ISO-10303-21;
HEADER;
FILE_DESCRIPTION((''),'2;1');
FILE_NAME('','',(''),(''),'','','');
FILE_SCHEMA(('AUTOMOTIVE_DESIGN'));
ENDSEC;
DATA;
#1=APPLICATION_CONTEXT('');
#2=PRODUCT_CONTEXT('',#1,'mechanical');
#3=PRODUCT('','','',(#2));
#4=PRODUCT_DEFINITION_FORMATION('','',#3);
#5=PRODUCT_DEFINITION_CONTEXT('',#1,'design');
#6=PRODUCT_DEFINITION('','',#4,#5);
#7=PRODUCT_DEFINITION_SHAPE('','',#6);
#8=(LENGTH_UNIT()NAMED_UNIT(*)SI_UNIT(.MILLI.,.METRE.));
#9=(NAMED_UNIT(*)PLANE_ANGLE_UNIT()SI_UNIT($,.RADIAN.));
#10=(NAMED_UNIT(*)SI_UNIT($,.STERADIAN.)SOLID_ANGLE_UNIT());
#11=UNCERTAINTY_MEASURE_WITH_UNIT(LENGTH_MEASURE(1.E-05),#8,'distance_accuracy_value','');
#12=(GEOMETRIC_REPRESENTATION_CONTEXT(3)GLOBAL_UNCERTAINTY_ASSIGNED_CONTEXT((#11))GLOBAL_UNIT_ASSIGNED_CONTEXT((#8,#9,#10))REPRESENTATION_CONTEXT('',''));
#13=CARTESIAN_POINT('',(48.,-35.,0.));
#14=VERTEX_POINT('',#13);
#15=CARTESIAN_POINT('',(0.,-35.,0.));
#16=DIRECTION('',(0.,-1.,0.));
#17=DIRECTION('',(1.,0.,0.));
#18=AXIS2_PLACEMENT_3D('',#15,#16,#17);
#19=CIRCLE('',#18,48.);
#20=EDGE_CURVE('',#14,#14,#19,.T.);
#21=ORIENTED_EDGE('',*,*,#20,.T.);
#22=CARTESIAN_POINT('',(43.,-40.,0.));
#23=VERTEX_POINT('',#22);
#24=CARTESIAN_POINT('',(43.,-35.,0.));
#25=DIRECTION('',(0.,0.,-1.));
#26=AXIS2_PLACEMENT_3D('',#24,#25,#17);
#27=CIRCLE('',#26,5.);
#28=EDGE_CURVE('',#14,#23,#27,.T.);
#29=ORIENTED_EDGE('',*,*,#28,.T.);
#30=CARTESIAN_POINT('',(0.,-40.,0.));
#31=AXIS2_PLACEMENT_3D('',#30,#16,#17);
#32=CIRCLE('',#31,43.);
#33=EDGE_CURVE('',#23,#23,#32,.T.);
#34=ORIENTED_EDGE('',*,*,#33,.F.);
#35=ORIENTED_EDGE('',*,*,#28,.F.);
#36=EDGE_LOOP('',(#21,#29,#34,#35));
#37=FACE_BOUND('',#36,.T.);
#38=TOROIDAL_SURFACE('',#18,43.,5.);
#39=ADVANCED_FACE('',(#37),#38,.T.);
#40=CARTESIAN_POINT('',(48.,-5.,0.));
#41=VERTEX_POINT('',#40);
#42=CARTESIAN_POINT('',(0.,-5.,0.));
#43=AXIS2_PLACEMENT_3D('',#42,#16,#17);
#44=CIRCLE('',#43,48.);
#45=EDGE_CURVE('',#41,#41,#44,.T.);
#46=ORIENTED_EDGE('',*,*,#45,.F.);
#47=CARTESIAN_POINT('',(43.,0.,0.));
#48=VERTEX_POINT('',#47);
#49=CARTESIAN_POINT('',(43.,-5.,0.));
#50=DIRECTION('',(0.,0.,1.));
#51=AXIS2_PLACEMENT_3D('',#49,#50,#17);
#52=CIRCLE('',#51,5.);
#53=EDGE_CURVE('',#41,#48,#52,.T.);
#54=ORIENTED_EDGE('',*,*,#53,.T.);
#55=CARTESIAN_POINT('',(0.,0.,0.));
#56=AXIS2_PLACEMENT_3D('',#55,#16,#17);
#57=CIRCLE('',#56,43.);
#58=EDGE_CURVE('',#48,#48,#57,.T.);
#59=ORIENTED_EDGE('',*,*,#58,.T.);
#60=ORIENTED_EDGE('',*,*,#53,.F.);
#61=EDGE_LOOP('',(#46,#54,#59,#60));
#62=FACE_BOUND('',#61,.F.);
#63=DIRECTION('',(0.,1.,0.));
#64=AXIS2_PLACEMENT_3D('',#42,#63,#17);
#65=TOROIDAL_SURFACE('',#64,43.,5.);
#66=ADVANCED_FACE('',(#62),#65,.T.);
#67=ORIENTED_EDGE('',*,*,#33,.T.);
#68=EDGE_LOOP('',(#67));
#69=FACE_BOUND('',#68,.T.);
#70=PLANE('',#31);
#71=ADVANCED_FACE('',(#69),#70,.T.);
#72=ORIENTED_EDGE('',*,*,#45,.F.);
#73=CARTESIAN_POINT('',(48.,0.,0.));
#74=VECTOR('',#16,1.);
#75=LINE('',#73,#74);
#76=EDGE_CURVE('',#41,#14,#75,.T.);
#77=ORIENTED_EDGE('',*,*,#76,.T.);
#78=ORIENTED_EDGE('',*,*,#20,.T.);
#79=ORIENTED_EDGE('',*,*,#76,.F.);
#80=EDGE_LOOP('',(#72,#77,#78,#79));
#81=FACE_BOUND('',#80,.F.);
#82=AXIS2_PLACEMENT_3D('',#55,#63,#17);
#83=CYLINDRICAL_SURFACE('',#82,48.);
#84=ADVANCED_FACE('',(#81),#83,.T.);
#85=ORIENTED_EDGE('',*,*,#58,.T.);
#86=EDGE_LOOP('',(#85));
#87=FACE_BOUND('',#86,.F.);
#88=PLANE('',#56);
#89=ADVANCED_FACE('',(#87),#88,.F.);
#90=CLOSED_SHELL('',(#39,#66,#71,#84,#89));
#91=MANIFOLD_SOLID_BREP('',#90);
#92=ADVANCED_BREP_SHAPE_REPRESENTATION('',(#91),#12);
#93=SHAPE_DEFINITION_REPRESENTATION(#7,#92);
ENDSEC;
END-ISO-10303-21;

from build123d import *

# Parameters (mm, degrees)
F0_R     = 48
F1_DEPTH = 40
F2_R     = 5
F3_R     = 5


with BuildPart() as f1:
    # F0 (on Front) → F1 (new body)
    with BuildSketch(Plane.XZ):
        Circle(F0_R)
    extrude(amount=F1_DEPTH)

    # F2
    f2_edges = [f1.edges().sort_by_distance(p)[0] for p in [
        (-48, -40, 0),
    ]]
    fillet(f2_edges, radius=F2_R)

    # F3
    f3_edges = [f1.edges().sort_by_distance(p)[0] for p in [
        (48, -17.5, 0),
        (-48, -35, 0),
        (-48, 0, 0),
    ]]
    fillet(f3_edges, radius=F3_R)


solid = f1.part
